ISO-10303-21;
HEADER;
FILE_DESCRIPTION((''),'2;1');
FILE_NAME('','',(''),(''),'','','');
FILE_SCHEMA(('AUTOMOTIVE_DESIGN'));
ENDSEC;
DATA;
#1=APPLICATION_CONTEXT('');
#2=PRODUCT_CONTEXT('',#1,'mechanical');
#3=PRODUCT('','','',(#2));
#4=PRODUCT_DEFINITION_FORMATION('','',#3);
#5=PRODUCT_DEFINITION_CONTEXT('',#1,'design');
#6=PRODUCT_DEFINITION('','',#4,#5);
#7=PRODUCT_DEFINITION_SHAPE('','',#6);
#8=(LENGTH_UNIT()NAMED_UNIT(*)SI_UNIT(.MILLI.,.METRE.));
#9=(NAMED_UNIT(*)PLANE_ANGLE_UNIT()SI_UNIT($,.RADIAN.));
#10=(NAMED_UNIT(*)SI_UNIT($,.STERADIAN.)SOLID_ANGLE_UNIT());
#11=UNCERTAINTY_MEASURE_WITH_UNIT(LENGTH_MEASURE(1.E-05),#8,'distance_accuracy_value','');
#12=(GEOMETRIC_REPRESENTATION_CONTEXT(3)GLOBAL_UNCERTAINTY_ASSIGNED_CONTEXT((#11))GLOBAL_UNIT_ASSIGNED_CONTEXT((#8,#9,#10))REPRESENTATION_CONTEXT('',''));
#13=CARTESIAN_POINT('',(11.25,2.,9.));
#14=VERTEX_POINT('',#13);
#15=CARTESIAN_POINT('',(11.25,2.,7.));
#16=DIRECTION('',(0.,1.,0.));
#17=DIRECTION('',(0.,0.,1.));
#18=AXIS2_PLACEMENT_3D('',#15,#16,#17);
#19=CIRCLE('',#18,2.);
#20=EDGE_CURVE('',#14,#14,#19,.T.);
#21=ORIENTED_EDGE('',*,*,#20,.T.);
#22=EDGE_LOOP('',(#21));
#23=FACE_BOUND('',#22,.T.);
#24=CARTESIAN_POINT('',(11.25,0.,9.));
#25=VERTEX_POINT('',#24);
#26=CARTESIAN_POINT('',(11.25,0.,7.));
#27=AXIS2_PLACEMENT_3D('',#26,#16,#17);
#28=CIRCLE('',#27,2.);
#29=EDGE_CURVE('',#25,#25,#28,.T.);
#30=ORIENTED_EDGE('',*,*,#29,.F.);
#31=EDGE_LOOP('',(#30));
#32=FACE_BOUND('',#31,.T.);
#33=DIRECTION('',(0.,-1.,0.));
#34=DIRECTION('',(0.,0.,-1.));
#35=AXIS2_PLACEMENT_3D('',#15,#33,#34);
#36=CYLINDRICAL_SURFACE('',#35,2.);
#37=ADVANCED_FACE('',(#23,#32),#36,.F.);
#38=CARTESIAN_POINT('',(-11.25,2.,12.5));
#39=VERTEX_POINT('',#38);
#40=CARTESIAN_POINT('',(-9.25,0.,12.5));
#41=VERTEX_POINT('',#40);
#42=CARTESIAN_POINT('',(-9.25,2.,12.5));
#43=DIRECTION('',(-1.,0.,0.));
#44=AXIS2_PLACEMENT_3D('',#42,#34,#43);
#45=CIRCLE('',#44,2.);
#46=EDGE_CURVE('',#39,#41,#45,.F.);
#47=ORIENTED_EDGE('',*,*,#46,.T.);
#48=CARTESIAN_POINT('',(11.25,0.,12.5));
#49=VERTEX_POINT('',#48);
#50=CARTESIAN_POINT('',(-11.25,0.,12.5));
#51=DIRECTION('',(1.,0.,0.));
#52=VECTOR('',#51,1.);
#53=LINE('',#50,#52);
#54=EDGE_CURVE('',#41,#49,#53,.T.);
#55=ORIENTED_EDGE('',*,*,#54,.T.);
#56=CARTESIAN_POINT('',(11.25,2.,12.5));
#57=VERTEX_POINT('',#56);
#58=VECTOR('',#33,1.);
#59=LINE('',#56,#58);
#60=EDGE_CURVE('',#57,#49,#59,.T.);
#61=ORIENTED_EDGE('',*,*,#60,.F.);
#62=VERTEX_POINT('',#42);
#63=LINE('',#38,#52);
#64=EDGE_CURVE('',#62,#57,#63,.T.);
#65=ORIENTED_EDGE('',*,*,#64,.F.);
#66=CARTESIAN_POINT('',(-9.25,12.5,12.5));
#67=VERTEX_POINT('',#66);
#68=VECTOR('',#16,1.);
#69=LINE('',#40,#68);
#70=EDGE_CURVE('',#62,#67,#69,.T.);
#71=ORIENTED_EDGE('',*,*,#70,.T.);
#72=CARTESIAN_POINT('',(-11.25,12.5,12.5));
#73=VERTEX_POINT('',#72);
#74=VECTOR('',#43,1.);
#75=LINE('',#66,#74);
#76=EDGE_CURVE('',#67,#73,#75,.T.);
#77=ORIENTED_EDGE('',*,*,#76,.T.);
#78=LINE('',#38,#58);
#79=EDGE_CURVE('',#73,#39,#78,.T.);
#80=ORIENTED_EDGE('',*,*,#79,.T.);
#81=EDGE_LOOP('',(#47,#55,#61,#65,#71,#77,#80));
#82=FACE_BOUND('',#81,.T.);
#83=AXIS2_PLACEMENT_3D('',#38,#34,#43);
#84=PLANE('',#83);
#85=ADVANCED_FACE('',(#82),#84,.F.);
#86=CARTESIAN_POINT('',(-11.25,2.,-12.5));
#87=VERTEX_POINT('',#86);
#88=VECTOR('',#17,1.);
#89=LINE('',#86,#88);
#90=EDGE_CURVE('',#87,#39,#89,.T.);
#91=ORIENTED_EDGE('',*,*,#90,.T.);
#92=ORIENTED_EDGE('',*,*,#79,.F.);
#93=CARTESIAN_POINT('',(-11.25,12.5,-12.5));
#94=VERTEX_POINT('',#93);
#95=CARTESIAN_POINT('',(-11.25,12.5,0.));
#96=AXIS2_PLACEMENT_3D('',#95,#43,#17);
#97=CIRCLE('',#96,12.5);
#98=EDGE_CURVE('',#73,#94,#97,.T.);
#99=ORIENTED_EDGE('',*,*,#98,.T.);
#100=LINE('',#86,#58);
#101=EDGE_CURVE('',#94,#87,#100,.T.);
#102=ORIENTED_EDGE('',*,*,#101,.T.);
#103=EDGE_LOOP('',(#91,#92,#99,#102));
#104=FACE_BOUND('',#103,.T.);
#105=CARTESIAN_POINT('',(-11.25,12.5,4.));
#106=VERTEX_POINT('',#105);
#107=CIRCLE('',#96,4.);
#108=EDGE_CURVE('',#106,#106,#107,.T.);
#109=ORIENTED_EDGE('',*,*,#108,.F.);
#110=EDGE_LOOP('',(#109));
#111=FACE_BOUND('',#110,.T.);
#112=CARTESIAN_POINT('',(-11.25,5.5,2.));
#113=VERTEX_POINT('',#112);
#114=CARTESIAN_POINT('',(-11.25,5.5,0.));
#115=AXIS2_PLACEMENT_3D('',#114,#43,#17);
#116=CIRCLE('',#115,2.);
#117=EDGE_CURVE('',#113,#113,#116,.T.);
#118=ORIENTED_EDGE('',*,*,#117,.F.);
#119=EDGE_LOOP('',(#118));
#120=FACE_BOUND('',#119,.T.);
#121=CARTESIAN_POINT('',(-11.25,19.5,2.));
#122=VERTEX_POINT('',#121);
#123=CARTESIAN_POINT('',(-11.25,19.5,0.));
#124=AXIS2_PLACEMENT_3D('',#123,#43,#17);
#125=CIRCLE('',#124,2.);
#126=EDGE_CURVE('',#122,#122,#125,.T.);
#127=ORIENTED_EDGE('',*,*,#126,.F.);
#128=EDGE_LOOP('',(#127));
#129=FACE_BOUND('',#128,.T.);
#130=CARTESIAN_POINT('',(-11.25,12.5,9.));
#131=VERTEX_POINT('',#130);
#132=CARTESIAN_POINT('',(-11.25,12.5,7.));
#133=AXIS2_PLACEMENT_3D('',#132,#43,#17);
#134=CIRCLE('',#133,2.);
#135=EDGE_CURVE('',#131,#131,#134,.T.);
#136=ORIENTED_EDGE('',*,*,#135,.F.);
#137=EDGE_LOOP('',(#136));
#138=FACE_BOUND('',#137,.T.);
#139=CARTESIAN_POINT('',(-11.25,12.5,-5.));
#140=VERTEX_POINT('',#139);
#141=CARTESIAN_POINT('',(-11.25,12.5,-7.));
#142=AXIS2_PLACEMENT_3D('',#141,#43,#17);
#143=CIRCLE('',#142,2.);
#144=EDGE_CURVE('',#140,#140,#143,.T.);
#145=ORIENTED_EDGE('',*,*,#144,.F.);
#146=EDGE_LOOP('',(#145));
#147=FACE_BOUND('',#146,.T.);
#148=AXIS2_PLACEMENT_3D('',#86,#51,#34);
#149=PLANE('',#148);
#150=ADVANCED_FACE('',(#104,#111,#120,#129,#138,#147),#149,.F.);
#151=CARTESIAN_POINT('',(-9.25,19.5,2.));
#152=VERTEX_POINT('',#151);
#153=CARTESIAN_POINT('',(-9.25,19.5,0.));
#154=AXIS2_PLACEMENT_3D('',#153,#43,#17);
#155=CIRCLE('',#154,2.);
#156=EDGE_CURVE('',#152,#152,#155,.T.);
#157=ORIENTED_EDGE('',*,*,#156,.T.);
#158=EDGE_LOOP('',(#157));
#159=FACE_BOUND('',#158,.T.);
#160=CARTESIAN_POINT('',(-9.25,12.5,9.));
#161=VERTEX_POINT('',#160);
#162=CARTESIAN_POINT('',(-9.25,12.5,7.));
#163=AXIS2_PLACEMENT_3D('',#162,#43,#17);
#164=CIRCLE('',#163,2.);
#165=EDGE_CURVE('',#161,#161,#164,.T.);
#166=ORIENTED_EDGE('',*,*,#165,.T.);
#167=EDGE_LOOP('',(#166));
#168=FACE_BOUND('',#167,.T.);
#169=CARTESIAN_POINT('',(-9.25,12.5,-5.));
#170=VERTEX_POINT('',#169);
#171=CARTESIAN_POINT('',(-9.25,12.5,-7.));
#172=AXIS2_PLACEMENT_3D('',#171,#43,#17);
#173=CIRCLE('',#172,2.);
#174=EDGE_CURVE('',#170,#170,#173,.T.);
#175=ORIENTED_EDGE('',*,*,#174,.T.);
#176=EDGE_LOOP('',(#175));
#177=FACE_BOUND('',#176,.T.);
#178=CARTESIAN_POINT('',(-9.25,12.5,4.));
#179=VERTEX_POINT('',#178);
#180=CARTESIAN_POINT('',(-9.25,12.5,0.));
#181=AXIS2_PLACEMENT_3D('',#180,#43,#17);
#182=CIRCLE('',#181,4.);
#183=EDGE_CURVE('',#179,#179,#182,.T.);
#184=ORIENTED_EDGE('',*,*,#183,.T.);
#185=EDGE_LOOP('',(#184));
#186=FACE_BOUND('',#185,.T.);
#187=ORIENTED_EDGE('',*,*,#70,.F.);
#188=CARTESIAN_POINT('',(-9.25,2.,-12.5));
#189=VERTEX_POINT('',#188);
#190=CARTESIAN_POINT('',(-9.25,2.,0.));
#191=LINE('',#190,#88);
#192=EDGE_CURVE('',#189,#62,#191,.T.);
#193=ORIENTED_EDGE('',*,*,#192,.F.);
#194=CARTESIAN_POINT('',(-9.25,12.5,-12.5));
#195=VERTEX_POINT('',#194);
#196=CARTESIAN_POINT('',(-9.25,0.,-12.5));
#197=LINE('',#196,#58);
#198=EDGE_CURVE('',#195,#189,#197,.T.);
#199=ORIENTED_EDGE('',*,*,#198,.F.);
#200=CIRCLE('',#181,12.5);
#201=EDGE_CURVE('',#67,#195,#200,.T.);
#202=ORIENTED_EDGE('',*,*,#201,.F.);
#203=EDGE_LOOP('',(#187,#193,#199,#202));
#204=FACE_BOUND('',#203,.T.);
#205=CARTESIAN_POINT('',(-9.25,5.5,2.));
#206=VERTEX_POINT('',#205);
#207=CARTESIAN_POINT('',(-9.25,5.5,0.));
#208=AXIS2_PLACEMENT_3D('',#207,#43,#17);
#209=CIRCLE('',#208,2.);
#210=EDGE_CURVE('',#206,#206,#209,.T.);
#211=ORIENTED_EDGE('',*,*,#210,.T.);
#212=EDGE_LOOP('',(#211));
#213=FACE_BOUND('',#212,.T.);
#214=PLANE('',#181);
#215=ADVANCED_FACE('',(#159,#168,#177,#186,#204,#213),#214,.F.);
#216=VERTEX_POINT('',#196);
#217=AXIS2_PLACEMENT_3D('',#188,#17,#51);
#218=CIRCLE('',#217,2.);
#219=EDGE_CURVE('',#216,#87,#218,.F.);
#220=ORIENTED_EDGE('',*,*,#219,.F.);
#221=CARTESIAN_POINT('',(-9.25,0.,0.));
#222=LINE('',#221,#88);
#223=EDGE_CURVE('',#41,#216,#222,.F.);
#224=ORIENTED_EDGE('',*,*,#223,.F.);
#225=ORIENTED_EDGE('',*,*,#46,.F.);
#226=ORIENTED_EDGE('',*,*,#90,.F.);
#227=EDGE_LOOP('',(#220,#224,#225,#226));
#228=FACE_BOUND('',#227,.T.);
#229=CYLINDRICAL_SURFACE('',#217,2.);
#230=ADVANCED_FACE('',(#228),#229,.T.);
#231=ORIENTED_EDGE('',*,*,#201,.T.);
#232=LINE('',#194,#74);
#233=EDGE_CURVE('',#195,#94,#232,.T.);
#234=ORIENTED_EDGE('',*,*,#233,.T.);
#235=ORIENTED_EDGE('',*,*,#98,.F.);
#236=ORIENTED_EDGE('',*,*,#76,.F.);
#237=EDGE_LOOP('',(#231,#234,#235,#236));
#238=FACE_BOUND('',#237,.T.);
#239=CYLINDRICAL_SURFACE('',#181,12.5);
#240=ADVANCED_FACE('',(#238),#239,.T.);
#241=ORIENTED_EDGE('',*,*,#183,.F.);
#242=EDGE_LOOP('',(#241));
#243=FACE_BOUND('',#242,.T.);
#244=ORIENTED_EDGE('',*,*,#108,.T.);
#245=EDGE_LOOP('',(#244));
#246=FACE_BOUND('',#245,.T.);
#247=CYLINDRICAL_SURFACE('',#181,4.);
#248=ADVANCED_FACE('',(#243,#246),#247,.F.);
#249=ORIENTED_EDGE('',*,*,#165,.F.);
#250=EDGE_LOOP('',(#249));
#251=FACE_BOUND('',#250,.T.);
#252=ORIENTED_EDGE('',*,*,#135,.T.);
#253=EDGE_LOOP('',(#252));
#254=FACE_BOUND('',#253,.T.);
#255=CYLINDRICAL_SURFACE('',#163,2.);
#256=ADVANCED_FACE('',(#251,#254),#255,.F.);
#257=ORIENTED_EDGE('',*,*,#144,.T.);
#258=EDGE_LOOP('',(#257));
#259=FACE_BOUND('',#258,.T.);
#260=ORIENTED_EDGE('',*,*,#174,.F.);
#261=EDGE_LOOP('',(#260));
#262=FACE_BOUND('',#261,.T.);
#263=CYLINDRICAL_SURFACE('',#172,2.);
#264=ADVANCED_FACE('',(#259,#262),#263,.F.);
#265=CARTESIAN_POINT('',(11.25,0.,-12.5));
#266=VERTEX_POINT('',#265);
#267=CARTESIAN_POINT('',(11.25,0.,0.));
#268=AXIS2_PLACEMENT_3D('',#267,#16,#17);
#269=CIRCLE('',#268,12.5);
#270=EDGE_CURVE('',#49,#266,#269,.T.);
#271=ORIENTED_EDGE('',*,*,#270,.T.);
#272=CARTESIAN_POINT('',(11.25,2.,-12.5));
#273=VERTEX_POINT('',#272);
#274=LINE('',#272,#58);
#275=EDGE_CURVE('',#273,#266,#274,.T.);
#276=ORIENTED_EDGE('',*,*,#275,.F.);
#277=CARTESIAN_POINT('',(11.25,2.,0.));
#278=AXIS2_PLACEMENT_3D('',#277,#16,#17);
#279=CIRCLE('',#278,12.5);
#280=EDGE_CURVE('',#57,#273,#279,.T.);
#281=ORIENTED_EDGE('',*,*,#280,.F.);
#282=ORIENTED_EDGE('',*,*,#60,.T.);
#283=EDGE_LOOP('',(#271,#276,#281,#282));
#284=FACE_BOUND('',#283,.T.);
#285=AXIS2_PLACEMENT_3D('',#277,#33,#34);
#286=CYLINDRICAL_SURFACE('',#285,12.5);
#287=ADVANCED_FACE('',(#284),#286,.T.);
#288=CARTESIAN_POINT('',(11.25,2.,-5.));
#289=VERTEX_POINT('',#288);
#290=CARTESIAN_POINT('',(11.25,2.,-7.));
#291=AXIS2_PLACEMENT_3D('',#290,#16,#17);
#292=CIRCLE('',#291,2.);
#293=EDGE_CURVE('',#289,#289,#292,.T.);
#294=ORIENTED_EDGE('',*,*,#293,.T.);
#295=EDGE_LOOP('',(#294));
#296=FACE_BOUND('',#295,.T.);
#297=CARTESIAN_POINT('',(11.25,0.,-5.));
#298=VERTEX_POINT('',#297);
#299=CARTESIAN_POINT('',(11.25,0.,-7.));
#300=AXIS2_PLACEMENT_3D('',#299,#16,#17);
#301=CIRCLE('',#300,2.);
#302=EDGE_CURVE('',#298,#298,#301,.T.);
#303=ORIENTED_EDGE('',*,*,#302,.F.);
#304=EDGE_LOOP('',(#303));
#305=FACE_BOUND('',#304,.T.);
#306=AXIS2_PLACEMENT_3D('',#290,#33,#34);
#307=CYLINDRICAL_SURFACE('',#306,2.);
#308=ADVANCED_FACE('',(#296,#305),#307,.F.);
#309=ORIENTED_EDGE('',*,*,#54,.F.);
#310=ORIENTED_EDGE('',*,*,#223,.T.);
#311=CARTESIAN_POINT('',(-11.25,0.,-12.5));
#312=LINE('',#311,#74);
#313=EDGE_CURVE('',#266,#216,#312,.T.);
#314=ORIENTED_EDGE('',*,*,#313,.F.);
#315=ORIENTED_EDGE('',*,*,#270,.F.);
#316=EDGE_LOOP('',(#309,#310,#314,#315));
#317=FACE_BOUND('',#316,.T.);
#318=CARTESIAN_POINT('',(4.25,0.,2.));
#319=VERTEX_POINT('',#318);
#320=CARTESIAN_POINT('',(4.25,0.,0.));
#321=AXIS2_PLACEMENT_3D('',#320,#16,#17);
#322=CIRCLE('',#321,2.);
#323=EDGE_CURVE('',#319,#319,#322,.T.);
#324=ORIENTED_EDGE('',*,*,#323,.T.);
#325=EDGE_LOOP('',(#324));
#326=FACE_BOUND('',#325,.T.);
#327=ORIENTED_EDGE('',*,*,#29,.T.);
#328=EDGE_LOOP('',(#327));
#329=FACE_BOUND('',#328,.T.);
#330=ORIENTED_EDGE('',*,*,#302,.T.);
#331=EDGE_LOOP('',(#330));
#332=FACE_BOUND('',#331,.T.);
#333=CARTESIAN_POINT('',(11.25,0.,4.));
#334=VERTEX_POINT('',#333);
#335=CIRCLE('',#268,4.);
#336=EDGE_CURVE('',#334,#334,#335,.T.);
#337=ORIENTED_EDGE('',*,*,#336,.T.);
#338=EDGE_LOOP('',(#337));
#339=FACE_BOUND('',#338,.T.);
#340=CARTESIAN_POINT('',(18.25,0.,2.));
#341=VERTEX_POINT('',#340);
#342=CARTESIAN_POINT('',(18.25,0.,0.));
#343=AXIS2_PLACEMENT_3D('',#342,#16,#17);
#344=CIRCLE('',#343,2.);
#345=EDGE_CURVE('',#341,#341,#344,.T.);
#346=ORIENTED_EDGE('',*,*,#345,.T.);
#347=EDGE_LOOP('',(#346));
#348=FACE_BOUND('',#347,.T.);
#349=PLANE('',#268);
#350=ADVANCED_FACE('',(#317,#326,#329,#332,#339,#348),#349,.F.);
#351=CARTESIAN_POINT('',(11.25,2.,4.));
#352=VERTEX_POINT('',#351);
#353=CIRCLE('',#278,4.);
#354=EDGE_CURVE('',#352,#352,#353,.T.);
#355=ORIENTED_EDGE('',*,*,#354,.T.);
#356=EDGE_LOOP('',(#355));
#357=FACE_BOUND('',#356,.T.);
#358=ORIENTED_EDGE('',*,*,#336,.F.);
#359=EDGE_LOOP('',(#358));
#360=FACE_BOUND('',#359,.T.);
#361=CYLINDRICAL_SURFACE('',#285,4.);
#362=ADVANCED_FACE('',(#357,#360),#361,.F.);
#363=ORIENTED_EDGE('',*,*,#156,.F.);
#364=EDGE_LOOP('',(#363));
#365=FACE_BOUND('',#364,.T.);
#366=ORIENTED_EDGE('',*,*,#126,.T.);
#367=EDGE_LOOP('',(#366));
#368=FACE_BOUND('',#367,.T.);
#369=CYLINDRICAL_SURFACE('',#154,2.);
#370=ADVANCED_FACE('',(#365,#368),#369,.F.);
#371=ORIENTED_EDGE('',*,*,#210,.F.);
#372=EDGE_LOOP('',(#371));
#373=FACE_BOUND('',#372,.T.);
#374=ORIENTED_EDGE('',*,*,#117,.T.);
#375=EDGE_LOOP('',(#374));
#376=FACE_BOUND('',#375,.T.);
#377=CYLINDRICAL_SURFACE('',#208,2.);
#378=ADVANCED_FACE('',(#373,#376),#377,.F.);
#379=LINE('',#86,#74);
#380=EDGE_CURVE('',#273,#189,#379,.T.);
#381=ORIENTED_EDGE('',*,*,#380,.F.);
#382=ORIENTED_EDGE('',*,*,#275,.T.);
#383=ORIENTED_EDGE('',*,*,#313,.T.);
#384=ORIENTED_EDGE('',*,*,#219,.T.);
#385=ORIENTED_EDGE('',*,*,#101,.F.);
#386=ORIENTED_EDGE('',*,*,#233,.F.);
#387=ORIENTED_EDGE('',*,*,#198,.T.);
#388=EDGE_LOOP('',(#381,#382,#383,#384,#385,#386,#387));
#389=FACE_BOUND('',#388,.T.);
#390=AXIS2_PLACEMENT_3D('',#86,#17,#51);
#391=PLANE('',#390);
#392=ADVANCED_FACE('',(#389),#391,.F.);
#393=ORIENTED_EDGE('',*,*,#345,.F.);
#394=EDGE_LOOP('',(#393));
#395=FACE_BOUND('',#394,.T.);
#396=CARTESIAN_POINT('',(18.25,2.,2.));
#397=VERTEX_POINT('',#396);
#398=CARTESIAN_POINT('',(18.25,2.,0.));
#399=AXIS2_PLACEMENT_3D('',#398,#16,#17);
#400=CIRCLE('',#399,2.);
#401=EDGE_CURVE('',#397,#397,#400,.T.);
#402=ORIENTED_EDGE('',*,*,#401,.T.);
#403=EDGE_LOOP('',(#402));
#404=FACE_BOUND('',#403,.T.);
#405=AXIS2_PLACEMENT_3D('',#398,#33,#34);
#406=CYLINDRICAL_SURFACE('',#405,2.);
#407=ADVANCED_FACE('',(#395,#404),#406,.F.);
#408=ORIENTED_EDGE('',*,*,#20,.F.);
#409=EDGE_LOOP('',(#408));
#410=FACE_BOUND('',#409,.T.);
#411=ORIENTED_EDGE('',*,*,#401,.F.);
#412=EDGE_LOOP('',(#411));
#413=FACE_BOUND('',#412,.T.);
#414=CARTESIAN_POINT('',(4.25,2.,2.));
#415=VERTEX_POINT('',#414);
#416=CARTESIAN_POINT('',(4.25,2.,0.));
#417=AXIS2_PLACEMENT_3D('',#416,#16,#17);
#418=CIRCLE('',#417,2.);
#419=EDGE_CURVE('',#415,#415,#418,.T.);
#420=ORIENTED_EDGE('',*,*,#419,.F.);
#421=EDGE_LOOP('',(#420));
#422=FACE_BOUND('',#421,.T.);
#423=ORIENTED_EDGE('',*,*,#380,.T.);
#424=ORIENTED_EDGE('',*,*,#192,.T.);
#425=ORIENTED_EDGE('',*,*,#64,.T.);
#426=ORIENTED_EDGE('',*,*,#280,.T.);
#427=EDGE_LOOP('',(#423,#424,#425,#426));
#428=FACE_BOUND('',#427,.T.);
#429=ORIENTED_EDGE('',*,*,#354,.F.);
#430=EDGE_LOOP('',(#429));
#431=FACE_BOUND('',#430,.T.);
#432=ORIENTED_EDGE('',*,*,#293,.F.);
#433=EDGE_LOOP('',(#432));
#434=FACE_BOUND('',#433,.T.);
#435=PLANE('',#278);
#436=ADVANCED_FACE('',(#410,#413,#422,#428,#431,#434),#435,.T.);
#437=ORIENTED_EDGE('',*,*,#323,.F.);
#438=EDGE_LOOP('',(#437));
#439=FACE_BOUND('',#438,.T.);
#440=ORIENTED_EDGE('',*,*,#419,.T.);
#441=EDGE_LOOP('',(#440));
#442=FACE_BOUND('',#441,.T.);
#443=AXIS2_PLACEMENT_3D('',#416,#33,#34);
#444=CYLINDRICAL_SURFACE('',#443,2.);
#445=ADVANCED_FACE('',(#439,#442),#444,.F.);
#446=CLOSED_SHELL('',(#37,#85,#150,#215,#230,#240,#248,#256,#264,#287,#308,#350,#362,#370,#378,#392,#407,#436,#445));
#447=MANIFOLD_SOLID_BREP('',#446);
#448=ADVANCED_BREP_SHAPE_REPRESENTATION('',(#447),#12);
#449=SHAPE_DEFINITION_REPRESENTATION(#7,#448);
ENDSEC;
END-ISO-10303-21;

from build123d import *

# Parameters (mm, degrees)
SKETCH_1_R      = 4
SKETCH_1_R_2    = 2
EXTRUDE_1_DEPTH = 2
SKETCH_2_R      = 4
SKETCH_2_R_2    = 2
EXTRUDE_2_DEPTH = 2
FILLET_1_R      = 2


with BuildPart() as part:
    # 草图1 → 凸台-拉伸1 (new body)
    with BuildSketch(Plane(origin=(0, 0, 0), x_dir=(1, 0, 0), z_dir=(0, 1, 0))):
        with BuildLine():
            Line((-11.25, 12.5), (11.25, 12.5))
            ThreePointArc((11.25, 12.5), (23.75, 0), (11.25, -12.5))
            Line((11.25, -12.5), (-11.25, -12.5))
            Line((-11.25, -12.5), (-11.25, 12.5))
        make_face()
        with Locations((11.25, 0)):
            Circle(SKETCH_1_R, mode=Mode.SUBTRACT)
        with Locations((18.25, 0)):
            Circle(SKETCH_1_R_2, mode=Mode.SUBTRACT)
        with Locations((11.25, -7)):
            Circle(SKETCH_1_R_2, mode=Mode.SUBTRACT)
        with Locations((4.25, 0)):
            Circle(SKETCH_1_R_2, mode=Mode.SUBTRACT)
        with Locations((11.25, 7)):
            Circle(SKETCH_1_R_2, mode=Mode.SUBTRACT)
    extrude(amount=EXTRUDE_1_DEPTH)

    # 草图2 → 凸台-拉伸2 (add)
    with BuildSketch(Plane.ZY.offset(11.25)):
        with BuildLine():
            Line((-12.5, 0), (12.5, 0))
            Line((12.5, 0), (12.5, 12.5))
            ThreePointArc((12.5, 12.5), (0, 25), (-12.5, 12.5))
            Line((-12.5, 12.5), (-12.5, 0))
        make_face()
        with Locations((0, 12.5)):
            Circle(SKETCH_2_R, mode=Mode.SUBTRACT)
        with Locations((0, 19.5)):
            Circle(SKETCH_2_R_2, mode=Mode.SUBTRACT)
        with Locations((7, 12.5)):
            Circle(SKETCH_2_R_2, mode=Mode.SUBTRACT)
        with Locations((0, 5.5)):
            Circle(SKETCH_2_R_2, mode=Mode.SUBTRACT)
        with Locations((-7, 12.5)):
            Circle(SKETCH_2_R_2, mode=Mode.SUBTRACT)
    extrude(amount=-EXTRUDE_2_DEPTH)

    # 圆角1
    fillet_1_edges = [part.edges().sort_by_distance(p)[0] for p in [
        (-11.25, 0, 0),
    ]]
    fillet(fillet_1_edges, radius=FILLET_1_R)


solid = part.part
